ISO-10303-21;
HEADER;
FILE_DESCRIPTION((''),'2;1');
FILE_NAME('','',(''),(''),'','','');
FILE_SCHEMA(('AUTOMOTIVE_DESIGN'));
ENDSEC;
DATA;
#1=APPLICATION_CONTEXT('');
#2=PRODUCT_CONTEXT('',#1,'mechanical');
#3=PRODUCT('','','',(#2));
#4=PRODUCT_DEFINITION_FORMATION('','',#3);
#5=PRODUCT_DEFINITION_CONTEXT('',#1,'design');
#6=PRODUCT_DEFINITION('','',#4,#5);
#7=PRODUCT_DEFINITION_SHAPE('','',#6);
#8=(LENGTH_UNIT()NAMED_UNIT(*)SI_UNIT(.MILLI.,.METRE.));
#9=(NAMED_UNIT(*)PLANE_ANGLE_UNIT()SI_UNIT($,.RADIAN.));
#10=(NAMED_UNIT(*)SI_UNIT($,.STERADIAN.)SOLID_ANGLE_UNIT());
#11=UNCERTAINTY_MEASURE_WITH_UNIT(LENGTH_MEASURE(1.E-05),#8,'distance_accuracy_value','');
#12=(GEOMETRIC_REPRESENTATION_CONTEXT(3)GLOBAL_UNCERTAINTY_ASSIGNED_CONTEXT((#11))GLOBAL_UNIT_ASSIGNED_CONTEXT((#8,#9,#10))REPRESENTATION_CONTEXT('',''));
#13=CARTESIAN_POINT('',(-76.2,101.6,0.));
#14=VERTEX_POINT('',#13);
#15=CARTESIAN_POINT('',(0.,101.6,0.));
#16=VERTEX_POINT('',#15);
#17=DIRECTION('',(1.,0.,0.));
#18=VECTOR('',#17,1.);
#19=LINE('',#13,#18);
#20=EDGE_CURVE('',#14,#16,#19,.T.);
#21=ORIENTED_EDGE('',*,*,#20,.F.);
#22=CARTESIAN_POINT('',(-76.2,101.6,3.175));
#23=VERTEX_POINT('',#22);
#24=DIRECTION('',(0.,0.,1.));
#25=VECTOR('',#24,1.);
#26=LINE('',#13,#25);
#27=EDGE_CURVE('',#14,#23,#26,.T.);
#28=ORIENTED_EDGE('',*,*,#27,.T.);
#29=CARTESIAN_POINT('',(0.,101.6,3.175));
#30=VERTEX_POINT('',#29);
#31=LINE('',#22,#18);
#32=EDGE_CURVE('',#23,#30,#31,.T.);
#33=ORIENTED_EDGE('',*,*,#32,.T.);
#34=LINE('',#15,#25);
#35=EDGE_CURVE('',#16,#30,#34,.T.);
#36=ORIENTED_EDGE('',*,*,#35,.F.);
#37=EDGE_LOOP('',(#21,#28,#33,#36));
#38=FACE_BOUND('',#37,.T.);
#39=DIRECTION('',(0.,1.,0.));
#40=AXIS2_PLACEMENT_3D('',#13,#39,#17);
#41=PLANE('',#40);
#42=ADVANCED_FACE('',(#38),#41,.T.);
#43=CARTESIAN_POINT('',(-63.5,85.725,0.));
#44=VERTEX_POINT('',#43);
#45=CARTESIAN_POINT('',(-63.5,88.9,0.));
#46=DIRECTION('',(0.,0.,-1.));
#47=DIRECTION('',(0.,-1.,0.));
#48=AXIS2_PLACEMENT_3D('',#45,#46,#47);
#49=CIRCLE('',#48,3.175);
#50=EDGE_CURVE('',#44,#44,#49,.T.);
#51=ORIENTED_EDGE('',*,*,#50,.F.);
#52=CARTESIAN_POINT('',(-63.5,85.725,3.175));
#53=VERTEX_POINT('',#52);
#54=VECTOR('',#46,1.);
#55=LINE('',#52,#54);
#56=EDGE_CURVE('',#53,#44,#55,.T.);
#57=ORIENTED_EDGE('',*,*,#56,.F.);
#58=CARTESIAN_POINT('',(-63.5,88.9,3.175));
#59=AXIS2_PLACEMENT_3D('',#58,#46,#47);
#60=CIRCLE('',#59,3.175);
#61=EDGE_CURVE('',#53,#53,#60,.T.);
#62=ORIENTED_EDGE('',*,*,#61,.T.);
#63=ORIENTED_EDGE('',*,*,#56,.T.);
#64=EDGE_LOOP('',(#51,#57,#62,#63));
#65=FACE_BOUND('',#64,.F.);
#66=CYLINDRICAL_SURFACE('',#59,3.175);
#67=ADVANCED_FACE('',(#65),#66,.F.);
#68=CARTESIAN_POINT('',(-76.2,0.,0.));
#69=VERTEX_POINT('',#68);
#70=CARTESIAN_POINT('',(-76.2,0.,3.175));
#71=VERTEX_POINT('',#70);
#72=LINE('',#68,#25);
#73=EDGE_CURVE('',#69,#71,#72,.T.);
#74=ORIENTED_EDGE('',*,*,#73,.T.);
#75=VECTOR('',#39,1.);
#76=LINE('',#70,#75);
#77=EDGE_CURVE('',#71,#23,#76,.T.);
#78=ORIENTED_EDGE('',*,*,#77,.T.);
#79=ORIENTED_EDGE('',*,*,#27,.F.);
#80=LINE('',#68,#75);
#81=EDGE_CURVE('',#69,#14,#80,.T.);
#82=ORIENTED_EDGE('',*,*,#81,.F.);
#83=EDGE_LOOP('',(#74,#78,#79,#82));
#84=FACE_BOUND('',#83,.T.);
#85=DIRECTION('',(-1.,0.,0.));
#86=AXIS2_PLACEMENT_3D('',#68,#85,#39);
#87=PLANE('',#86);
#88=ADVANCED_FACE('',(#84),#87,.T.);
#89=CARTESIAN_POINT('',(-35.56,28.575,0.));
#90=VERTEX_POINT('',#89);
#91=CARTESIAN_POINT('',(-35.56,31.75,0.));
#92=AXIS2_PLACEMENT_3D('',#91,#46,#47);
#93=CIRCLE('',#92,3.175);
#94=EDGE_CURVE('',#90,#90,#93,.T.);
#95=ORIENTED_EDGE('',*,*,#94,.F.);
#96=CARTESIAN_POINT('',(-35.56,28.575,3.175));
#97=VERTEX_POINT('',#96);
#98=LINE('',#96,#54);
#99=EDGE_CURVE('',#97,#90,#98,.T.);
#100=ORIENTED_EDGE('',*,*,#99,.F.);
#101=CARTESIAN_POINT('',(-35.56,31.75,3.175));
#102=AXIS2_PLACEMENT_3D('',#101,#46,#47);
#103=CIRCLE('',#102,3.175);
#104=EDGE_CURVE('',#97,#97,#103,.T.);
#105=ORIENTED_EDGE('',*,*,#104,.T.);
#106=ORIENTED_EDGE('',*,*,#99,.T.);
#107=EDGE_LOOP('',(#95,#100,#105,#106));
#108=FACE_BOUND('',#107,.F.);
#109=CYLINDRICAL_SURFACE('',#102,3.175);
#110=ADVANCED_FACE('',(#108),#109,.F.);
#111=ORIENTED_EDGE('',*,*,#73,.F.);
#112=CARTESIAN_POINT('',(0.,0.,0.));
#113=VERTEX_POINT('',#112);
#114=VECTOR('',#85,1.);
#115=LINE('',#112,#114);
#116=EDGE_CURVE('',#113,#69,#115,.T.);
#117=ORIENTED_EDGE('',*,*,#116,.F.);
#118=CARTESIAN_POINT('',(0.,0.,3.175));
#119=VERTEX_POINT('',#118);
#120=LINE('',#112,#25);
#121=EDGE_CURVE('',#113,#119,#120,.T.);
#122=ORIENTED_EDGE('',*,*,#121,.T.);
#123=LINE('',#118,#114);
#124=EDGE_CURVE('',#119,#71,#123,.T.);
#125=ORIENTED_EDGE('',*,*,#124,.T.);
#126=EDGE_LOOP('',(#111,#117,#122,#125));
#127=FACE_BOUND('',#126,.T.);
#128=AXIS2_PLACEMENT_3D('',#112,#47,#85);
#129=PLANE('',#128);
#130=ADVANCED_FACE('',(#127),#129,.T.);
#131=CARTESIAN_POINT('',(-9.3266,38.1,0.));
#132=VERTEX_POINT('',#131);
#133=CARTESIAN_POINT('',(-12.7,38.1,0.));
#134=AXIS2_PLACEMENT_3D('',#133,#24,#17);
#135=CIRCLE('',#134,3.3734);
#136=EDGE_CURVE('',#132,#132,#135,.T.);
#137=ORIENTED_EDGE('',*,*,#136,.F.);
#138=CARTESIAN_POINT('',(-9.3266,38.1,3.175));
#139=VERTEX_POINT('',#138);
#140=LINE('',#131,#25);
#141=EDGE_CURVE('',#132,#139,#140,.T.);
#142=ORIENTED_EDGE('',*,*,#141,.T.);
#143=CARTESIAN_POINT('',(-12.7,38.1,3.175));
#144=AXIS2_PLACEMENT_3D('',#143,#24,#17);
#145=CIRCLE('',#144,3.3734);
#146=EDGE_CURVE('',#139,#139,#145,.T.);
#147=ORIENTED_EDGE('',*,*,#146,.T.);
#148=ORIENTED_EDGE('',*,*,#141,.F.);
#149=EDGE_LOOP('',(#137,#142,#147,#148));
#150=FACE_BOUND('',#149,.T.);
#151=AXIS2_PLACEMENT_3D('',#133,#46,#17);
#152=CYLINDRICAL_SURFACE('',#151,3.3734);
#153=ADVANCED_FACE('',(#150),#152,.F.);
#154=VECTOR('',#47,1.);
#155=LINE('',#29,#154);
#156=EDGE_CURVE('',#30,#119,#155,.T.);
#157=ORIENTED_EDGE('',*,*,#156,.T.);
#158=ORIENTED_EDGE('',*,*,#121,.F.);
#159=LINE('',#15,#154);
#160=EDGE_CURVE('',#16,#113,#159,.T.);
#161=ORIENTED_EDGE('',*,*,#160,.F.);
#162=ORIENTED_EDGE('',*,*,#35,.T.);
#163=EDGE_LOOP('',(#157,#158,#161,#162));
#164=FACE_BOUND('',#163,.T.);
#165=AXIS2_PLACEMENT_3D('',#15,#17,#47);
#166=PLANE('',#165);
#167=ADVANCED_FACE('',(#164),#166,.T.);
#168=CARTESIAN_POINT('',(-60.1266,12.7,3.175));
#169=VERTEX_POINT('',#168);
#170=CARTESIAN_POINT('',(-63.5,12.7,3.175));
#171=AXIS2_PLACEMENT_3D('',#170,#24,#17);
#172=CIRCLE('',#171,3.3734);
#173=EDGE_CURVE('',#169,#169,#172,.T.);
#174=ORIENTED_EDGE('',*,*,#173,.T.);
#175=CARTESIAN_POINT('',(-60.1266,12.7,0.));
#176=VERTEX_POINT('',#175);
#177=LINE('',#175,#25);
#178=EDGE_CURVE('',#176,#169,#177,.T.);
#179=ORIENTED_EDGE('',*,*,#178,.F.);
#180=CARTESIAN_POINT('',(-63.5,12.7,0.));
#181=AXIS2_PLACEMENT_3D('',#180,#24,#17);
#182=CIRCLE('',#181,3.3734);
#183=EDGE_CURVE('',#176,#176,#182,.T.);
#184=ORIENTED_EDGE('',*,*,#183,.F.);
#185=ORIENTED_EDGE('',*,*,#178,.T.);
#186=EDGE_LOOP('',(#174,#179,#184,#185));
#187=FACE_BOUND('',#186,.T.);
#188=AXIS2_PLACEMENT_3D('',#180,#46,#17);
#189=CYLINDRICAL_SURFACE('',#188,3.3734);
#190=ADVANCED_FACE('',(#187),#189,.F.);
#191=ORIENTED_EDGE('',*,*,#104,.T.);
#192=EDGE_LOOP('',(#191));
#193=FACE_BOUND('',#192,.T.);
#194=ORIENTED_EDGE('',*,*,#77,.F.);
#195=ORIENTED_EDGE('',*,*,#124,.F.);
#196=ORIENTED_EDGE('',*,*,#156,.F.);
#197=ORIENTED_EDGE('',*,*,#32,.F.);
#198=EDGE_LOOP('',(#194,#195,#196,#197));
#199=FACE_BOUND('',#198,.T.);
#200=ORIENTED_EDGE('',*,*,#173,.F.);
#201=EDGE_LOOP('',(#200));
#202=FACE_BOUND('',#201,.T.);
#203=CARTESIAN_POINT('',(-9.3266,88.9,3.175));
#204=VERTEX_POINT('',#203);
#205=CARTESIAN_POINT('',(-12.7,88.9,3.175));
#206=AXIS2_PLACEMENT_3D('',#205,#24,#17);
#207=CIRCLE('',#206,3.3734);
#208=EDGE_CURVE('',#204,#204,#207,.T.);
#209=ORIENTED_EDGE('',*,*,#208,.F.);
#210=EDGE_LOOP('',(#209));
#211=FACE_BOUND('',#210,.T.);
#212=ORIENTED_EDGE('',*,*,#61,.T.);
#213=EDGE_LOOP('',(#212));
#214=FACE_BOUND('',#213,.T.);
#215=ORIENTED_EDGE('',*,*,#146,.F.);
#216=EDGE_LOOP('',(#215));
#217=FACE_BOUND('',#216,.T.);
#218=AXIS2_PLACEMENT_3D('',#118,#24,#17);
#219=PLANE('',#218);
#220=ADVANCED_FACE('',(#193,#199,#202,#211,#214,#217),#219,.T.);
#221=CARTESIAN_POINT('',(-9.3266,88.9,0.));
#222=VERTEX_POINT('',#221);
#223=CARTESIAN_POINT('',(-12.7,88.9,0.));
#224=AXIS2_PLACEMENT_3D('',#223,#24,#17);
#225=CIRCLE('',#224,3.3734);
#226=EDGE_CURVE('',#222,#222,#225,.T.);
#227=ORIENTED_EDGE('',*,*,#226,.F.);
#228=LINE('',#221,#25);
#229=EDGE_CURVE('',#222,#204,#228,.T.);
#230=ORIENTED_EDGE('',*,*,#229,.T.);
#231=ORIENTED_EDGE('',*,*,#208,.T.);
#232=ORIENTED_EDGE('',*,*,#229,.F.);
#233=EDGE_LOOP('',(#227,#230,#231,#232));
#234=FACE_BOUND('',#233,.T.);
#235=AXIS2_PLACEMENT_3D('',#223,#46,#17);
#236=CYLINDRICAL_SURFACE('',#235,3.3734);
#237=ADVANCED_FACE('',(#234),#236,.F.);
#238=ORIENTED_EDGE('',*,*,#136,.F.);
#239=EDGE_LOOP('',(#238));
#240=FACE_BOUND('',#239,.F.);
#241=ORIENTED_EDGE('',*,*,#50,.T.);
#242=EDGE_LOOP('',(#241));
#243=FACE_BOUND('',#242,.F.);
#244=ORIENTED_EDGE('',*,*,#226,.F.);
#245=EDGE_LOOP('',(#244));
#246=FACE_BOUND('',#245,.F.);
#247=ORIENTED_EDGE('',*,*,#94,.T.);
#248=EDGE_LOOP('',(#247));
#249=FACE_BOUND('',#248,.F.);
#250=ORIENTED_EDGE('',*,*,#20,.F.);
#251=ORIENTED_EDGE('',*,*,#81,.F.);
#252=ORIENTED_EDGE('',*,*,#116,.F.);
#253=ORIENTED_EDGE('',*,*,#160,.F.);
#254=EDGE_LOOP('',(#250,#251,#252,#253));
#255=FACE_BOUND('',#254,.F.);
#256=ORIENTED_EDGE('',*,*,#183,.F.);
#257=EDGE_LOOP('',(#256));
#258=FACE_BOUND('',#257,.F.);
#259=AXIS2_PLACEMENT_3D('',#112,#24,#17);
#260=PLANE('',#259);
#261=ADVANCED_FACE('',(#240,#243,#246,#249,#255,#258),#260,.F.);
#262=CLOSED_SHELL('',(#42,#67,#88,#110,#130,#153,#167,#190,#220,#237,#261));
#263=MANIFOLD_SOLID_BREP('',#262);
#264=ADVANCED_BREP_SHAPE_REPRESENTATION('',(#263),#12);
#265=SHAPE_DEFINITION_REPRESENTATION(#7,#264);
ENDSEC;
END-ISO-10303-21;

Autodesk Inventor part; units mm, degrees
ref_plane "YZ Plane" through (0, 0, 0) normal (1, 0, 0) x (0, 1, 0)
ref_plane "XZ Plane" through (0, 0, 0) normal (0, 1, 0) x (-1, 0, 0)
ref_plane "XY Plane" through (0, 0, 0) normal (0, 0, 1) x (1, 0, 0)
sketch "Sketch1" plane through (0, 0, 0) normal (0, 0, 1) x (1, 0, 0)
  line L0 (0, 0) -> (-76.2, 0)
  line L1 (-76.2, 0) -> (-76.2, 101.6)
  line L2 (-76.2, 101.6) -> (0, 101.6)
  line L3 (0, 101.6) -> (0, 0)
  circle A0 centre (-12.7, 88.9) radius 3.3734
  circle A1 centre (-12.7, 38.1) radius 3.3734
  circle A2 centre (-63.5, 12.7) radius 3.3734
  dimension "d0" = 76.2
  dimension "d1" = 101.6
  dimension "d2" = 6.7469
  dimension "d3" = 12.7
  dimension "d4" = 12.7
  dimension "d5" = 38.1
  dimension "d6" = 12.7
  dimension "d7" = 12.7
  dimension "d8" = 12.7
extrude "Extrusion1" add sketch "Sketch1" along normal blind 3.175
sketch "Sketch2" plane through (0, 0, 3.175) normal (0, 0, 1) x (1, 0, 0)
  line L0 (-76.2, 101.6) -> (-76.2, 0) projected
  line L1 (-76.2, 101.6) -> (0, 101.6) projected
  point P0 (0, 0)
  point P1 (-63.5, 88.9)
  point P2 (-35.56, 31.75)
  dimension "d11" = 12.7
  dimension "d12" = 40.64
  dimension "d13" = 12.7
  dimension "d14" = 57.15
hole "Hole1" at (-63.5, 88.9, 3.175) at (-35.56, 31.75, 3.175) direction (0, 0, -1) diameter 6.35 end through all
properties part number "15102898-16-P-0220"
